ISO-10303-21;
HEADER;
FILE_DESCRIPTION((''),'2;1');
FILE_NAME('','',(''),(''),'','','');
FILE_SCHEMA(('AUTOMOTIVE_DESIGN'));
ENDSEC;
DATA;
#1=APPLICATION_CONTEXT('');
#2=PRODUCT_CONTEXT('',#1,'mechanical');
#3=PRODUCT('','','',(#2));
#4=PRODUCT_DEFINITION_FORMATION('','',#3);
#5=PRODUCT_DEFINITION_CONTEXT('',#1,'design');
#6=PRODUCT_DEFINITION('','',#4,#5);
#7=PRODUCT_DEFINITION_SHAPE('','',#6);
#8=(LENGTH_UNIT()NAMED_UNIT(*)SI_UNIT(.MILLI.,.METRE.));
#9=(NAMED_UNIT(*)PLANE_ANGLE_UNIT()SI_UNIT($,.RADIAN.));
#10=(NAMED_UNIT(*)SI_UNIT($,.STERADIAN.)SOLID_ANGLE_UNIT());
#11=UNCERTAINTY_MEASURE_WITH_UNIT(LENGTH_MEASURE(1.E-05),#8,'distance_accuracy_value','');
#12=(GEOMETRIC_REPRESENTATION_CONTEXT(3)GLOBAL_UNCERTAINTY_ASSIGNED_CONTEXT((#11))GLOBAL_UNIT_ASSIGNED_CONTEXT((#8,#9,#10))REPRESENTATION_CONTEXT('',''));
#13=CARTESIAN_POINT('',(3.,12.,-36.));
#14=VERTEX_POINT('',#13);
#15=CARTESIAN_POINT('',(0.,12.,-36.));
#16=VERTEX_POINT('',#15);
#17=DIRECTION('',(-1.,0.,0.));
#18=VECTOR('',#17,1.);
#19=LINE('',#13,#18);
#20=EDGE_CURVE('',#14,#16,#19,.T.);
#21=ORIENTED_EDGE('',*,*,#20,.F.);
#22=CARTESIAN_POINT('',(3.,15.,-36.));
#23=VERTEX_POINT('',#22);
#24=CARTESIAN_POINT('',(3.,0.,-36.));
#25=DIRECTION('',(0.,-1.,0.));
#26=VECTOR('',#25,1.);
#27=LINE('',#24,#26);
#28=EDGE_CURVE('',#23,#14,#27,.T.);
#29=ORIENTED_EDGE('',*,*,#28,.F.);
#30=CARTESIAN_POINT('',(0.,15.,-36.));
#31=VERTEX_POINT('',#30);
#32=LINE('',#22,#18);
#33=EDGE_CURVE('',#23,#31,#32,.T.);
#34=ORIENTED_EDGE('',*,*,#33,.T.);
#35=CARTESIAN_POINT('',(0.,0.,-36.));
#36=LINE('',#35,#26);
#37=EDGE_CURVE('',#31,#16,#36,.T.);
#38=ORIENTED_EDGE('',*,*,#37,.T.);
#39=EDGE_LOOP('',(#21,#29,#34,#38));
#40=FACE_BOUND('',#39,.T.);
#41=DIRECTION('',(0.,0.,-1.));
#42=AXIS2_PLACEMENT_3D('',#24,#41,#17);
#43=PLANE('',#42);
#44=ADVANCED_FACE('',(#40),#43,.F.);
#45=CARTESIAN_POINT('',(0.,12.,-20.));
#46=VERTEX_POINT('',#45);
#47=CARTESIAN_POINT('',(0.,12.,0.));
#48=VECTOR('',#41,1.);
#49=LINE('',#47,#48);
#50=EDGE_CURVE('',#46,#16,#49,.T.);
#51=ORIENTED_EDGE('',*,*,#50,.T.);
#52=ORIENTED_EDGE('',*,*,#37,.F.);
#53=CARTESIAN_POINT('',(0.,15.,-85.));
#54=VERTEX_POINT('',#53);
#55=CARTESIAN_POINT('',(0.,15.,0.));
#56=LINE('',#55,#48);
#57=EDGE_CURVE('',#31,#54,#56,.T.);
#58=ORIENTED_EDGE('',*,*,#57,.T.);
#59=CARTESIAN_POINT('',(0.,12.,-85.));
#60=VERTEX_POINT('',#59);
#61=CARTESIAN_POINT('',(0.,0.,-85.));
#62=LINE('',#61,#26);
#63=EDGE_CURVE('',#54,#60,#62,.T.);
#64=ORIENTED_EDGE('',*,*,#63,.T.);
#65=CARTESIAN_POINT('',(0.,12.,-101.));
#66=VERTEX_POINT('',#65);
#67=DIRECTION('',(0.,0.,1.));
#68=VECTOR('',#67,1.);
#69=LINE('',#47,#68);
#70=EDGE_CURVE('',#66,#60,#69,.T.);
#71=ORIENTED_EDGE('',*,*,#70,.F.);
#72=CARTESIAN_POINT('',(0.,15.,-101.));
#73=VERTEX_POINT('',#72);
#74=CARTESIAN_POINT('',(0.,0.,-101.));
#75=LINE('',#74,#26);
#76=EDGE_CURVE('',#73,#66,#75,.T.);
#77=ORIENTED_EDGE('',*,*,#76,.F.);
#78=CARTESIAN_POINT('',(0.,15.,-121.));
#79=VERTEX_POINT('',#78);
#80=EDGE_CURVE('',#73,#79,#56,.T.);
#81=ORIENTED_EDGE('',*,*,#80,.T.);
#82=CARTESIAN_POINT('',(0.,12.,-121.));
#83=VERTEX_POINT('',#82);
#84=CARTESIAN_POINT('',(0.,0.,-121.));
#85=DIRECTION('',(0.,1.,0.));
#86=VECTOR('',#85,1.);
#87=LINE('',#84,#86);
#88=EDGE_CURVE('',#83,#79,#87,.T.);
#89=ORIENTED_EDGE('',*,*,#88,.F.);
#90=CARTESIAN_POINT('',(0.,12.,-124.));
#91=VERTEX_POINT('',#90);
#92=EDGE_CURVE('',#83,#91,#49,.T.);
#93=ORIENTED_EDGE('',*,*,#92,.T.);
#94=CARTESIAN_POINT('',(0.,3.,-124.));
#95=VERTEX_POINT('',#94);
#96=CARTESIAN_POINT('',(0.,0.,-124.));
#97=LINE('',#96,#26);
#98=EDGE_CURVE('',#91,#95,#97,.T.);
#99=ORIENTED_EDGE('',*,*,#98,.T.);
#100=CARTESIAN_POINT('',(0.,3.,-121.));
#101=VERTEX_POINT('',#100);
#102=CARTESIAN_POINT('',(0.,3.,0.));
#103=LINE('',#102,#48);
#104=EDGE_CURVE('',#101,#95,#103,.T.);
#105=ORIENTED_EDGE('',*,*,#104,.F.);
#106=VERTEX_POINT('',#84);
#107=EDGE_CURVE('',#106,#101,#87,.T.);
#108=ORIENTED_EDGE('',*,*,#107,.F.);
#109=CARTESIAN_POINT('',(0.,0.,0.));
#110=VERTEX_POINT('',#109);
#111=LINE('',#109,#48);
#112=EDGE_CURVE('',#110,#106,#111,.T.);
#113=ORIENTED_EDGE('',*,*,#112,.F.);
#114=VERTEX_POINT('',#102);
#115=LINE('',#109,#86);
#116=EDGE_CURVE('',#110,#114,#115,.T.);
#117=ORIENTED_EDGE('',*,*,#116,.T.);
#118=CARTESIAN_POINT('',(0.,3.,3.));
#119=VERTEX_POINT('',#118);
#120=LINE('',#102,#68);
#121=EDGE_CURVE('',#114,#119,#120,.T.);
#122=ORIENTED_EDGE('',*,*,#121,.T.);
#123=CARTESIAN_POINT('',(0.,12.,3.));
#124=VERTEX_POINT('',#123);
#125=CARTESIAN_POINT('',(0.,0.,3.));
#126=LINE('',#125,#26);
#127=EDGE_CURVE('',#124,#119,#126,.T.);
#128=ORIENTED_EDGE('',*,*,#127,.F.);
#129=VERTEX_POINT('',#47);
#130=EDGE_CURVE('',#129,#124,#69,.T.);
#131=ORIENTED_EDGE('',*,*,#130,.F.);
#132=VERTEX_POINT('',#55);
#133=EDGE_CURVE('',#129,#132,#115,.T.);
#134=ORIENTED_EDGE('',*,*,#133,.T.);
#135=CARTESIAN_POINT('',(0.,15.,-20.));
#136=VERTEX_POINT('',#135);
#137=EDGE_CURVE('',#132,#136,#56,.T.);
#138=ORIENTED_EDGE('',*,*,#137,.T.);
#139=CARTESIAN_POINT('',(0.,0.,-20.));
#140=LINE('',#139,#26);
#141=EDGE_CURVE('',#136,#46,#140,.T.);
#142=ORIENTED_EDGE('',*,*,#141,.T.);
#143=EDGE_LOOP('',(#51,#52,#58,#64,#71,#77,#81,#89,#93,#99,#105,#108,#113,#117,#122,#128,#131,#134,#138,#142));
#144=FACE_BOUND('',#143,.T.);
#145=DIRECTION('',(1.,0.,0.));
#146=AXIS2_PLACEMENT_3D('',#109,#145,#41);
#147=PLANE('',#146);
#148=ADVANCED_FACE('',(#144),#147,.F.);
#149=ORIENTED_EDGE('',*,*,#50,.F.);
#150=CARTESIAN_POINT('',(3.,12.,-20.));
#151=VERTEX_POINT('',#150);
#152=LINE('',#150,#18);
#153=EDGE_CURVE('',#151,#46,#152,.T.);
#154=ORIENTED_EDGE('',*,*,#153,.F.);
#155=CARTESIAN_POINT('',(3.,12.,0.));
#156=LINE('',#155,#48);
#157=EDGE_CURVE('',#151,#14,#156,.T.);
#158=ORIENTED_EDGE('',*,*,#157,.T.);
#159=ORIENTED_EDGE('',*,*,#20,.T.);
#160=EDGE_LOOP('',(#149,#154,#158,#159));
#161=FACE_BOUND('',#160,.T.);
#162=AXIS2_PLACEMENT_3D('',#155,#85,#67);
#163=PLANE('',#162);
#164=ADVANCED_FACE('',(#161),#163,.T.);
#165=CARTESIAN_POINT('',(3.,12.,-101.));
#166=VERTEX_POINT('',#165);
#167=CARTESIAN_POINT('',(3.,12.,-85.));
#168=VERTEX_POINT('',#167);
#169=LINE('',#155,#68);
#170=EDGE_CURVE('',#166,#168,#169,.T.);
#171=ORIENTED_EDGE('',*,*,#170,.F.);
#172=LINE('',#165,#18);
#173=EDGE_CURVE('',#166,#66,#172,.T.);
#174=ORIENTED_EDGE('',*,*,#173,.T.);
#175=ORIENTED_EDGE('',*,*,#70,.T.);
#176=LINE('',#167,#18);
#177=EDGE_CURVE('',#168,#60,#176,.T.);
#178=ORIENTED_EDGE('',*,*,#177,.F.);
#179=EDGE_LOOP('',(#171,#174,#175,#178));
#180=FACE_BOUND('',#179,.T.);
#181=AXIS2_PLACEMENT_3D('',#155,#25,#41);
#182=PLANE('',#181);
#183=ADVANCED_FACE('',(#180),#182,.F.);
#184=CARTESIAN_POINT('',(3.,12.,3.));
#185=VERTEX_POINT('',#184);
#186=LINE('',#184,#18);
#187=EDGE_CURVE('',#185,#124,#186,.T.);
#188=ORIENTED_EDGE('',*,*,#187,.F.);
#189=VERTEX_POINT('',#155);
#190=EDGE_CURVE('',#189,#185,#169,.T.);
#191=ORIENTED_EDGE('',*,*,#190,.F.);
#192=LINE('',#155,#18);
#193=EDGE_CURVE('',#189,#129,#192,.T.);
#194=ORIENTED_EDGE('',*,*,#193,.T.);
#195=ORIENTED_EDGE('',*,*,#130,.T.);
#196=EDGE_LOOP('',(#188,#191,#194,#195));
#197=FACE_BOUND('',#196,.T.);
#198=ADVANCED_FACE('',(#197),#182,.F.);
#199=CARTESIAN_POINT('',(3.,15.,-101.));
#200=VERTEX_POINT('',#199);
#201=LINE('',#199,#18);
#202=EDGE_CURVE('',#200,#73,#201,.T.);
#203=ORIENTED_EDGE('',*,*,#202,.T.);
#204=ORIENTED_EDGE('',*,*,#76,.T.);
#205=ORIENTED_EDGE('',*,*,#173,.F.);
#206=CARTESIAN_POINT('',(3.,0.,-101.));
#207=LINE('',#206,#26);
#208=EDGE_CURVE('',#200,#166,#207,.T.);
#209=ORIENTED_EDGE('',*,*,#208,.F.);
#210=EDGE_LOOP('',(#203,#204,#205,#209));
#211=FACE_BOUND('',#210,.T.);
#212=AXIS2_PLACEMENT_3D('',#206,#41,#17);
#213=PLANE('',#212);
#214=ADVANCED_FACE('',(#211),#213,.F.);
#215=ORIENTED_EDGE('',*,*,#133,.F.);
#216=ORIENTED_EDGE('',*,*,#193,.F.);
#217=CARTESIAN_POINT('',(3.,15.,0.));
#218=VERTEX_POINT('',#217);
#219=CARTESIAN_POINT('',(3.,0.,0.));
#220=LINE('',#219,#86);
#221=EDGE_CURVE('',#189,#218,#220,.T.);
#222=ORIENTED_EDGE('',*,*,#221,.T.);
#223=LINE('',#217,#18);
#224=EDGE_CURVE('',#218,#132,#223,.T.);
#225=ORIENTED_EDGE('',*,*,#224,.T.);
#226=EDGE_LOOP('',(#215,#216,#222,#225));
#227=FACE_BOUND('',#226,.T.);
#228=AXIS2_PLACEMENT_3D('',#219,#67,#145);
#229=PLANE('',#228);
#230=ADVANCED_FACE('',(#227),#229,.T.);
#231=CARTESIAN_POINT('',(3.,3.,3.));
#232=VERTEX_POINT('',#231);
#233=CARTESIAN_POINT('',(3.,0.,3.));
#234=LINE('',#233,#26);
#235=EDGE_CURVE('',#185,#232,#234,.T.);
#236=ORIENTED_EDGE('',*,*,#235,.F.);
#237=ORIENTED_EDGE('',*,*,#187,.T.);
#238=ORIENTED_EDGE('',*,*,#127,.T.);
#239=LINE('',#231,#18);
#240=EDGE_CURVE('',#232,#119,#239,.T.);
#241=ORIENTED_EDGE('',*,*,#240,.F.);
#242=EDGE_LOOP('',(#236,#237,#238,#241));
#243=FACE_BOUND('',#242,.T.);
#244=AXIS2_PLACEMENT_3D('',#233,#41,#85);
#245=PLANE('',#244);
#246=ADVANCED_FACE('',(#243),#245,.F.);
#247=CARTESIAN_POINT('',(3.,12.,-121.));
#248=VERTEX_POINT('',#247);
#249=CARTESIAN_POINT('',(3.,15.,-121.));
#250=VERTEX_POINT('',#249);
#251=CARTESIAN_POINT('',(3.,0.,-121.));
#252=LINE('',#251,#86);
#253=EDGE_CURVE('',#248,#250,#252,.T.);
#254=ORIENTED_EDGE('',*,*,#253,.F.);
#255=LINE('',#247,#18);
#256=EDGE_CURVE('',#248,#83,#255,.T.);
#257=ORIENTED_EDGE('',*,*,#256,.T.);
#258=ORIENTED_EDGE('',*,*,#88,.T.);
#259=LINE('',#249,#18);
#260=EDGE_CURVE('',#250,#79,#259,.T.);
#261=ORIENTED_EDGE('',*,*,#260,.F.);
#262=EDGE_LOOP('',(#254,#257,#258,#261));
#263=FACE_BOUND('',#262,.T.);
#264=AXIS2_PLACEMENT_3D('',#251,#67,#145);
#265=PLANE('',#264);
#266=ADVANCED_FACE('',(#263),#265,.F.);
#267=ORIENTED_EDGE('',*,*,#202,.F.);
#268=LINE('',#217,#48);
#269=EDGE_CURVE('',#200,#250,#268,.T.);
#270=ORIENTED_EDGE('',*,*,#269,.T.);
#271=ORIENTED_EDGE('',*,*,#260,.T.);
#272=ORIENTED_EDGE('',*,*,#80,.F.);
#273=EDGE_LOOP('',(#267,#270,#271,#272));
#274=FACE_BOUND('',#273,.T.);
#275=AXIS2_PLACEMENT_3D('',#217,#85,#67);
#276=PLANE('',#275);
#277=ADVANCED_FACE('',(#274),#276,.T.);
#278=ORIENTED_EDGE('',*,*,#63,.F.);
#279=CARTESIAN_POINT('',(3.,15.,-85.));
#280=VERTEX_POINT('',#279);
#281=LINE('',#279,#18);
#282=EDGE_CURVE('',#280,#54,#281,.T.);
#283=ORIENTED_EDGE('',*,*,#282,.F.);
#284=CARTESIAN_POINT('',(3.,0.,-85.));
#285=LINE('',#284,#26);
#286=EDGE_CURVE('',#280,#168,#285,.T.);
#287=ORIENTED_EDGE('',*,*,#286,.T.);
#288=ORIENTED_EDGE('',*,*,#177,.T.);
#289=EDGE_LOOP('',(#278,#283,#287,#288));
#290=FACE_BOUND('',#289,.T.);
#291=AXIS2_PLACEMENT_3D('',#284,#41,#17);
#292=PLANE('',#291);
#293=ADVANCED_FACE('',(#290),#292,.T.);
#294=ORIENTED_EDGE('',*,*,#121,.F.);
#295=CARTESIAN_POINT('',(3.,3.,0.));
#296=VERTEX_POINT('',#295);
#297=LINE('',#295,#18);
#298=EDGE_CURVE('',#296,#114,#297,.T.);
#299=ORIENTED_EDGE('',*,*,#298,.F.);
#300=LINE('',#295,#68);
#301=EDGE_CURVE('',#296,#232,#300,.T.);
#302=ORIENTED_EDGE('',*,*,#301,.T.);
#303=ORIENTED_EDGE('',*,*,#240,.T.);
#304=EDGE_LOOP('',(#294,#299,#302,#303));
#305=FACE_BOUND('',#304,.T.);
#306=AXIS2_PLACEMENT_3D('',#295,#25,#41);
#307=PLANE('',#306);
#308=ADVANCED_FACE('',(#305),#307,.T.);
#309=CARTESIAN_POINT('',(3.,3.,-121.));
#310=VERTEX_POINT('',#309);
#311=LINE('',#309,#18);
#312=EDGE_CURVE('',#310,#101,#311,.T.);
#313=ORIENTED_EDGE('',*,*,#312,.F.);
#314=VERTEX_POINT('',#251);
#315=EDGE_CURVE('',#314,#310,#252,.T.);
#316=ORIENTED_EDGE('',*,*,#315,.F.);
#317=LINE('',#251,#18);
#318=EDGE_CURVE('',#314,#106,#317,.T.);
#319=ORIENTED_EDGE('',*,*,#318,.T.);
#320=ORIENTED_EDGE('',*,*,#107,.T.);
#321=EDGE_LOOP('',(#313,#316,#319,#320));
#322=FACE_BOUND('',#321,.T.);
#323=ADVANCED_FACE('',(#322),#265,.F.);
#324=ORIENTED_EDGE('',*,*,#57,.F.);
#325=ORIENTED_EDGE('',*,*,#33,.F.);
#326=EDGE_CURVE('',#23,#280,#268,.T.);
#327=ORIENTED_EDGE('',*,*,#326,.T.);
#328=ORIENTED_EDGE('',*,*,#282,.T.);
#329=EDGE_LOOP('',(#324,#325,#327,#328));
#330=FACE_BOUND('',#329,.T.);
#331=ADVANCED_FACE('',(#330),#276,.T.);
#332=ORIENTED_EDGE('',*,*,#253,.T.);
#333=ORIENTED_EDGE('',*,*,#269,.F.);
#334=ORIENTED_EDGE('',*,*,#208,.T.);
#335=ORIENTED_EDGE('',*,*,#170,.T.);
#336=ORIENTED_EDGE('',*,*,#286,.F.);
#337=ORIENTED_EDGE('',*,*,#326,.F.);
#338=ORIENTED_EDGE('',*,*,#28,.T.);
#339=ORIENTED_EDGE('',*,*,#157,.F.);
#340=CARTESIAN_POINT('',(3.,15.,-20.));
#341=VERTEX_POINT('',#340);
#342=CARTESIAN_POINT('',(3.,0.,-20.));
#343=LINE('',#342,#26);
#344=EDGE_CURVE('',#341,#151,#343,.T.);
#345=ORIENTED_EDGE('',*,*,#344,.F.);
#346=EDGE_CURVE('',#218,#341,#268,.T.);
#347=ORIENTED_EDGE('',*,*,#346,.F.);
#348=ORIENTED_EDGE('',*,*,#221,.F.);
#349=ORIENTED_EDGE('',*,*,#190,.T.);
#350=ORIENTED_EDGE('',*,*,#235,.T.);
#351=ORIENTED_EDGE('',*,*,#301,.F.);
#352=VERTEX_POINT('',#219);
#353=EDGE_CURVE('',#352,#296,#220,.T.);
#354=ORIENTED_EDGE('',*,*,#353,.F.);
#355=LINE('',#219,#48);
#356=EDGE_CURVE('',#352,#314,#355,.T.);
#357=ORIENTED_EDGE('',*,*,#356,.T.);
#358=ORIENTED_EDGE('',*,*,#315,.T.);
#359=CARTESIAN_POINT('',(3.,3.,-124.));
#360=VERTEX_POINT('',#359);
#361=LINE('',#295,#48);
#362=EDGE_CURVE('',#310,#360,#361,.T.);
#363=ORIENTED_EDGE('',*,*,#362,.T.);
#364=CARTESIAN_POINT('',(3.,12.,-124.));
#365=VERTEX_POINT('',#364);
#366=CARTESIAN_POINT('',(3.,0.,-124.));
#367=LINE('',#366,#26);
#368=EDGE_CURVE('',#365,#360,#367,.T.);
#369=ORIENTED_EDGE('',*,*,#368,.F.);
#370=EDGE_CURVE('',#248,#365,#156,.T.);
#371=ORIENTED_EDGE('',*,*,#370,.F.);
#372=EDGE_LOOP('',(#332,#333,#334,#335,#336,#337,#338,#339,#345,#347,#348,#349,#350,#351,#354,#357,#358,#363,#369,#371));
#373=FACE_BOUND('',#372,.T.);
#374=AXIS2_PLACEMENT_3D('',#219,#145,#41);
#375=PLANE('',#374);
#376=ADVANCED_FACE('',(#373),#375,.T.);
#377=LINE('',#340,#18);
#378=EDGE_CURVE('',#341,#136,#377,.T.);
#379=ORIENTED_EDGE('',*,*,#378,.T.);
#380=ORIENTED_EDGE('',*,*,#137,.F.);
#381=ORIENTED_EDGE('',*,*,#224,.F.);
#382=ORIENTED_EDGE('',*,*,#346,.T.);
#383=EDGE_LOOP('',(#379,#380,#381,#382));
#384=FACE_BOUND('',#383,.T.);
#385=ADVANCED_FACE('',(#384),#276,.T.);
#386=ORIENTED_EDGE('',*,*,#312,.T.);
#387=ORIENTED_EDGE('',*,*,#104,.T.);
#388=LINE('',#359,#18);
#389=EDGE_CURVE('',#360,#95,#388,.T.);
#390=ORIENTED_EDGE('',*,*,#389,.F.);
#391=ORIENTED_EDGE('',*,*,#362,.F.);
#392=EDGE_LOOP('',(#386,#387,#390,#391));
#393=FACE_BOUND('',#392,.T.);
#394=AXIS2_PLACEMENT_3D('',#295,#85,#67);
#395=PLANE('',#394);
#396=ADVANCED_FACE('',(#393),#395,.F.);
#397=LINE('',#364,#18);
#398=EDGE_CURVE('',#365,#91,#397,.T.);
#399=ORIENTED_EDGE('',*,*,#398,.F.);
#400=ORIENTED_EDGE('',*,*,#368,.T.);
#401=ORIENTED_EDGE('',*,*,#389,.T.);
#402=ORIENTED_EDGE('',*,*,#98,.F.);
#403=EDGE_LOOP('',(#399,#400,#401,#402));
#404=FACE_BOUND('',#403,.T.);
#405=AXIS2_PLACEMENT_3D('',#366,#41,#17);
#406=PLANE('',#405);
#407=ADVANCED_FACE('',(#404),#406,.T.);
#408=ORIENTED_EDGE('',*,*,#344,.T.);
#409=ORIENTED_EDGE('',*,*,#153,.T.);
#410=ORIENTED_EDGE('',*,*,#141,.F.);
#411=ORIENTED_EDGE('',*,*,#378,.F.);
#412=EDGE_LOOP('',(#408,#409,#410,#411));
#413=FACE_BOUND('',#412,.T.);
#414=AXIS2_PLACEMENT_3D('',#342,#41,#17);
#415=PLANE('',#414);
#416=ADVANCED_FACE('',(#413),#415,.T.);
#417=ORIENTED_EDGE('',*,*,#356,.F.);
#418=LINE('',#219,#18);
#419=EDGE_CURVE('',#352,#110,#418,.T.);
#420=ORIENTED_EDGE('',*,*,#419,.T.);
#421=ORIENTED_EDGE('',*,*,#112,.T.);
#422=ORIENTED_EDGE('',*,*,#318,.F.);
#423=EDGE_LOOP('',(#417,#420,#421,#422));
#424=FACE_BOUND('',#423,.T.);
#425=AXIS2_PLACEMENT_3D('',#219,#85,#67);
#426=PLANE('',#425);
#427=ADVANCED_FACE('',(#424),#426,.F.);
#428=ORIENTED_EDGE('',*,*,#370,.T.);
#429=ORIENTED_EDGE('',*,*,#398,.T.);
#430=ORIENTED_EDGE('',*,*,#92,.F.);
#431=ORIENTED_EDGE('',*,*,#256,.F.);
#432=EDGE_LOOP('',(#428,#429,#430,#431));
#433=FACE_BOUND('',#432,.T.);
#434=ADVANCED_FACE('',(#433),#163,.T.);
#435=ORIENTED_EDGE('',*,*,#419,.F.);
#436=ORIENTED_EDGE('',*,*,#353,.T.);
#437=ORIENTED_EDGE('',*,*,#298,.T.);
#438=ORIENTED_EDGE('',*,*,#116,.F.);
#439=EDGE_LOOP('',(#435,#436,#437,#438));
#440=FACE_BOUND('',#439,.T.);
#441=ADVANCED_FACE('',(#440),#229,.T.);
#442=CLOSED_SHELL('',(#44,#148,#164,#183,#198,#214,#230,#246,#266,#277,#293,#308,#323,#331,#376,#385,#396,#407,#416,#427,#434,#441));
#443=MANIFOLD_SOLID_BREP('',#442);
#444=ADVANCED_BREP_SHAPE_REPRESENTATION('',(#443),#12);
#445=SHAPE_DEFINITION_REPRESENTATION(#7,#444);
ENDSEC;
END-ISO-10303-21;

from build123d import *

# Parameters (mm, degrees)
SKETCH1_W           = 3
SKETCH1_H           = 9
BOSS_EXTRUDE1_DEPTH = 3


with BuildPart() as part:
    # Sketch1 → Boss-Extrude1 (new body)
    with BuildSketch(Plane(origin=(0, 0, 0), x_dir=(0, 0, -1), z_dir=(1, 0, 0))):
        Polygon((0, 3), (0, 0), (121, 0), (121, 3), (121, 12), (121, 15), (101, 15), (101, 12), (85, 12), (85, 15), (36, 15), (36, 12), (20, 12), (20, 15), (0, 15), (0, 12), align=None)
        with Locations((-1.5, 7.5)):
            Rectangle(SKETCH1_W, SKETCH1_H)
        with Locations((122.5, 7.5)):
            Rectangle(SKETCH1_W, SKETCH1_H)
    extrude(amount=BOSS_EXTRUDE1_DEPTH)


solid = part.part
